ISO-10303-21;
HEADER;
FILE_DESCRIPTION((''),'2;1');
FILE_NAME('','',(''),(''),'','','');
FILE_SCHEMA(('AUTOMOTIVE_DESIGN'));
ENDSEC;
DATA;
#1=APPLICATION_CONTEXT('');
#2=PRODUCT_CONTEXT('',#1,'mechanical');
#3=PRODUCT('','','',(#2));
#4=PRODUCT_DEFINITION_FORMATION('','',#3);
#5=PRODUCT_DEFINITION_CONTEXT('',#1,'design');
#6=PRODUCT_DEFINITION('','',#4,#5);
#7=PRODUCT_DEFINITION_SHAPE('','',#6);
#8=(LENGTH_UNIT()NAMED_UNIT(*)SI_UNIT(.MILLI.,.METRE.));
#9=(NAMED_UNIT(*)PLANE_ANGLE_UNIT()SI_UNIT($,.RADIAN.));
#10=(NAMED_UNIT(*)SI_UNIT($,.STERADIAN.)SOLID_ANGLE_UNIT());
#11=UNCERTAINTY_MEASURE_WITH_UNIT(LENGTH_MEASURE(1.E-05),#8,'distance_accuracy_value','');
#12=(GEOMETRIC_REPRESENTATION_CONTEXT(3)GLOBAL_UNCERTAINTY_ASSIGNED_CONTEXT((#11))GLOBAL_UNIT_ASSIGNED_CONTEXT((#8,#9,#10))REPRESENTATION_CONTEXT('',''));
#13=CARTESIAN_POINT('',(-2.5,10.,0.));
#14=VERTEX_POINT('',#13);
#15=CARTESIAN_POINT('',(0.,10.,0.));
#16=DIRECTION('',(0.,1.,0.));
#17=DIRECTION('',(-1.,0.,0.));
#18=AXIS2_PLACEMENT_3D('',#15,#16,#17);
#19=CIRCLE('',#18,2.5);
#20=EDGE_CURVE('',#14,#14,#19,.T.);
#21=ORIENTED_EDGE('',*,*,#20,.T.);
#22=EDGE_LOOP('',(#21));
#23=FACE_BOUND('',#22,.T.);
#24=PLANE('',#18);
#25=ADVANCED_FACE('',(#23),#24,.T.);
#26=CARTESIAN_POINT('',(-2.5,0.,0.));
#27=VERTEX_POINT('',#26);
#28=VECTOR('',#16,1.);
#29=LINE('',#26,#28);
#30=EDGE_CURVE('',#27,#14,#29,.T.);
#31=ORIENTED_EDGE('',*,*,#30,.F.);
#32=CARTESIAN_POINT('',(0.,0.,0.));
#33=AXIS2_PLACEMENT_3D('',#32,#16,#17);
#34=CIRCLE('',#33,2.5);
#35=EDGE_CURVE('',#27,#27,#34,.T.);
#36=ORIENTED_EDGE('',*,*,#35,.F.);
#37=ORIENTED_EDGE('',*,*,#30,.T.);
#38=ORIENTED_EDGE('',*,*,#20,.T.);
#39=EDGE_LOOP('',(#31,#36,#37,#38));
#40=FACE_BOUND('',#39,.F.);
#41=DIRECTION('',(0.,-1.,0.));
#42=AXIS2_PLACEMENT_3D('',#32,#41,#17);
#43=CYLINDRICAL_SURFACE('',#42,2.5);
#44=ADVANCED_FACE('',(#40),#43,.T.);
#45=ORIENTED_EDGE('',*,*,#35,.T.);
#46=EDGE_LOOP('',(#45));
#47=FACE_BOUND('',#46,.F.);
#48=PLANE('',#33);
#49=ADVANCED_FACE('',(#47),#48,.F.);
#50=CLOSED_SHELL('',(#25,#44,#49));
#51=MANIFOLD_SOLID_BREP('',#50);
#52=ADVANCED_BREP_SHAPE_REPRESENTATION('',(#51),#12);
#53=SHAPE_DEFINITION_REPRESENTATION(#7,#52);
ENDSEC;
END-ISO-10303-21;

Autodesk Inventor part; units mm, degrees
ref_plane "YZ Plane" through (0, 0, 0) normal (1, 0, 0) x (0, 1, 0)
ref_plane "XZ Plane" through (0, 0, 0) normal (0, 1, 0) x (-1, 0, 0)
ref_plane "XY Plane" through (0, 0, 0) normal (0, 0, 1) x (1, 0, 0)
sketch "Szkic1" plane through (0, 0, 0) normal (0, 1, 0) x (-1, 0, 0)
  circle A0 centre (0, 0) radius 2.5
  dimension "d0" = 5
extrude "Wyciągnięcie proste1" add sketch "Szkic1" along normal blind 10
properties part number "prent1"
